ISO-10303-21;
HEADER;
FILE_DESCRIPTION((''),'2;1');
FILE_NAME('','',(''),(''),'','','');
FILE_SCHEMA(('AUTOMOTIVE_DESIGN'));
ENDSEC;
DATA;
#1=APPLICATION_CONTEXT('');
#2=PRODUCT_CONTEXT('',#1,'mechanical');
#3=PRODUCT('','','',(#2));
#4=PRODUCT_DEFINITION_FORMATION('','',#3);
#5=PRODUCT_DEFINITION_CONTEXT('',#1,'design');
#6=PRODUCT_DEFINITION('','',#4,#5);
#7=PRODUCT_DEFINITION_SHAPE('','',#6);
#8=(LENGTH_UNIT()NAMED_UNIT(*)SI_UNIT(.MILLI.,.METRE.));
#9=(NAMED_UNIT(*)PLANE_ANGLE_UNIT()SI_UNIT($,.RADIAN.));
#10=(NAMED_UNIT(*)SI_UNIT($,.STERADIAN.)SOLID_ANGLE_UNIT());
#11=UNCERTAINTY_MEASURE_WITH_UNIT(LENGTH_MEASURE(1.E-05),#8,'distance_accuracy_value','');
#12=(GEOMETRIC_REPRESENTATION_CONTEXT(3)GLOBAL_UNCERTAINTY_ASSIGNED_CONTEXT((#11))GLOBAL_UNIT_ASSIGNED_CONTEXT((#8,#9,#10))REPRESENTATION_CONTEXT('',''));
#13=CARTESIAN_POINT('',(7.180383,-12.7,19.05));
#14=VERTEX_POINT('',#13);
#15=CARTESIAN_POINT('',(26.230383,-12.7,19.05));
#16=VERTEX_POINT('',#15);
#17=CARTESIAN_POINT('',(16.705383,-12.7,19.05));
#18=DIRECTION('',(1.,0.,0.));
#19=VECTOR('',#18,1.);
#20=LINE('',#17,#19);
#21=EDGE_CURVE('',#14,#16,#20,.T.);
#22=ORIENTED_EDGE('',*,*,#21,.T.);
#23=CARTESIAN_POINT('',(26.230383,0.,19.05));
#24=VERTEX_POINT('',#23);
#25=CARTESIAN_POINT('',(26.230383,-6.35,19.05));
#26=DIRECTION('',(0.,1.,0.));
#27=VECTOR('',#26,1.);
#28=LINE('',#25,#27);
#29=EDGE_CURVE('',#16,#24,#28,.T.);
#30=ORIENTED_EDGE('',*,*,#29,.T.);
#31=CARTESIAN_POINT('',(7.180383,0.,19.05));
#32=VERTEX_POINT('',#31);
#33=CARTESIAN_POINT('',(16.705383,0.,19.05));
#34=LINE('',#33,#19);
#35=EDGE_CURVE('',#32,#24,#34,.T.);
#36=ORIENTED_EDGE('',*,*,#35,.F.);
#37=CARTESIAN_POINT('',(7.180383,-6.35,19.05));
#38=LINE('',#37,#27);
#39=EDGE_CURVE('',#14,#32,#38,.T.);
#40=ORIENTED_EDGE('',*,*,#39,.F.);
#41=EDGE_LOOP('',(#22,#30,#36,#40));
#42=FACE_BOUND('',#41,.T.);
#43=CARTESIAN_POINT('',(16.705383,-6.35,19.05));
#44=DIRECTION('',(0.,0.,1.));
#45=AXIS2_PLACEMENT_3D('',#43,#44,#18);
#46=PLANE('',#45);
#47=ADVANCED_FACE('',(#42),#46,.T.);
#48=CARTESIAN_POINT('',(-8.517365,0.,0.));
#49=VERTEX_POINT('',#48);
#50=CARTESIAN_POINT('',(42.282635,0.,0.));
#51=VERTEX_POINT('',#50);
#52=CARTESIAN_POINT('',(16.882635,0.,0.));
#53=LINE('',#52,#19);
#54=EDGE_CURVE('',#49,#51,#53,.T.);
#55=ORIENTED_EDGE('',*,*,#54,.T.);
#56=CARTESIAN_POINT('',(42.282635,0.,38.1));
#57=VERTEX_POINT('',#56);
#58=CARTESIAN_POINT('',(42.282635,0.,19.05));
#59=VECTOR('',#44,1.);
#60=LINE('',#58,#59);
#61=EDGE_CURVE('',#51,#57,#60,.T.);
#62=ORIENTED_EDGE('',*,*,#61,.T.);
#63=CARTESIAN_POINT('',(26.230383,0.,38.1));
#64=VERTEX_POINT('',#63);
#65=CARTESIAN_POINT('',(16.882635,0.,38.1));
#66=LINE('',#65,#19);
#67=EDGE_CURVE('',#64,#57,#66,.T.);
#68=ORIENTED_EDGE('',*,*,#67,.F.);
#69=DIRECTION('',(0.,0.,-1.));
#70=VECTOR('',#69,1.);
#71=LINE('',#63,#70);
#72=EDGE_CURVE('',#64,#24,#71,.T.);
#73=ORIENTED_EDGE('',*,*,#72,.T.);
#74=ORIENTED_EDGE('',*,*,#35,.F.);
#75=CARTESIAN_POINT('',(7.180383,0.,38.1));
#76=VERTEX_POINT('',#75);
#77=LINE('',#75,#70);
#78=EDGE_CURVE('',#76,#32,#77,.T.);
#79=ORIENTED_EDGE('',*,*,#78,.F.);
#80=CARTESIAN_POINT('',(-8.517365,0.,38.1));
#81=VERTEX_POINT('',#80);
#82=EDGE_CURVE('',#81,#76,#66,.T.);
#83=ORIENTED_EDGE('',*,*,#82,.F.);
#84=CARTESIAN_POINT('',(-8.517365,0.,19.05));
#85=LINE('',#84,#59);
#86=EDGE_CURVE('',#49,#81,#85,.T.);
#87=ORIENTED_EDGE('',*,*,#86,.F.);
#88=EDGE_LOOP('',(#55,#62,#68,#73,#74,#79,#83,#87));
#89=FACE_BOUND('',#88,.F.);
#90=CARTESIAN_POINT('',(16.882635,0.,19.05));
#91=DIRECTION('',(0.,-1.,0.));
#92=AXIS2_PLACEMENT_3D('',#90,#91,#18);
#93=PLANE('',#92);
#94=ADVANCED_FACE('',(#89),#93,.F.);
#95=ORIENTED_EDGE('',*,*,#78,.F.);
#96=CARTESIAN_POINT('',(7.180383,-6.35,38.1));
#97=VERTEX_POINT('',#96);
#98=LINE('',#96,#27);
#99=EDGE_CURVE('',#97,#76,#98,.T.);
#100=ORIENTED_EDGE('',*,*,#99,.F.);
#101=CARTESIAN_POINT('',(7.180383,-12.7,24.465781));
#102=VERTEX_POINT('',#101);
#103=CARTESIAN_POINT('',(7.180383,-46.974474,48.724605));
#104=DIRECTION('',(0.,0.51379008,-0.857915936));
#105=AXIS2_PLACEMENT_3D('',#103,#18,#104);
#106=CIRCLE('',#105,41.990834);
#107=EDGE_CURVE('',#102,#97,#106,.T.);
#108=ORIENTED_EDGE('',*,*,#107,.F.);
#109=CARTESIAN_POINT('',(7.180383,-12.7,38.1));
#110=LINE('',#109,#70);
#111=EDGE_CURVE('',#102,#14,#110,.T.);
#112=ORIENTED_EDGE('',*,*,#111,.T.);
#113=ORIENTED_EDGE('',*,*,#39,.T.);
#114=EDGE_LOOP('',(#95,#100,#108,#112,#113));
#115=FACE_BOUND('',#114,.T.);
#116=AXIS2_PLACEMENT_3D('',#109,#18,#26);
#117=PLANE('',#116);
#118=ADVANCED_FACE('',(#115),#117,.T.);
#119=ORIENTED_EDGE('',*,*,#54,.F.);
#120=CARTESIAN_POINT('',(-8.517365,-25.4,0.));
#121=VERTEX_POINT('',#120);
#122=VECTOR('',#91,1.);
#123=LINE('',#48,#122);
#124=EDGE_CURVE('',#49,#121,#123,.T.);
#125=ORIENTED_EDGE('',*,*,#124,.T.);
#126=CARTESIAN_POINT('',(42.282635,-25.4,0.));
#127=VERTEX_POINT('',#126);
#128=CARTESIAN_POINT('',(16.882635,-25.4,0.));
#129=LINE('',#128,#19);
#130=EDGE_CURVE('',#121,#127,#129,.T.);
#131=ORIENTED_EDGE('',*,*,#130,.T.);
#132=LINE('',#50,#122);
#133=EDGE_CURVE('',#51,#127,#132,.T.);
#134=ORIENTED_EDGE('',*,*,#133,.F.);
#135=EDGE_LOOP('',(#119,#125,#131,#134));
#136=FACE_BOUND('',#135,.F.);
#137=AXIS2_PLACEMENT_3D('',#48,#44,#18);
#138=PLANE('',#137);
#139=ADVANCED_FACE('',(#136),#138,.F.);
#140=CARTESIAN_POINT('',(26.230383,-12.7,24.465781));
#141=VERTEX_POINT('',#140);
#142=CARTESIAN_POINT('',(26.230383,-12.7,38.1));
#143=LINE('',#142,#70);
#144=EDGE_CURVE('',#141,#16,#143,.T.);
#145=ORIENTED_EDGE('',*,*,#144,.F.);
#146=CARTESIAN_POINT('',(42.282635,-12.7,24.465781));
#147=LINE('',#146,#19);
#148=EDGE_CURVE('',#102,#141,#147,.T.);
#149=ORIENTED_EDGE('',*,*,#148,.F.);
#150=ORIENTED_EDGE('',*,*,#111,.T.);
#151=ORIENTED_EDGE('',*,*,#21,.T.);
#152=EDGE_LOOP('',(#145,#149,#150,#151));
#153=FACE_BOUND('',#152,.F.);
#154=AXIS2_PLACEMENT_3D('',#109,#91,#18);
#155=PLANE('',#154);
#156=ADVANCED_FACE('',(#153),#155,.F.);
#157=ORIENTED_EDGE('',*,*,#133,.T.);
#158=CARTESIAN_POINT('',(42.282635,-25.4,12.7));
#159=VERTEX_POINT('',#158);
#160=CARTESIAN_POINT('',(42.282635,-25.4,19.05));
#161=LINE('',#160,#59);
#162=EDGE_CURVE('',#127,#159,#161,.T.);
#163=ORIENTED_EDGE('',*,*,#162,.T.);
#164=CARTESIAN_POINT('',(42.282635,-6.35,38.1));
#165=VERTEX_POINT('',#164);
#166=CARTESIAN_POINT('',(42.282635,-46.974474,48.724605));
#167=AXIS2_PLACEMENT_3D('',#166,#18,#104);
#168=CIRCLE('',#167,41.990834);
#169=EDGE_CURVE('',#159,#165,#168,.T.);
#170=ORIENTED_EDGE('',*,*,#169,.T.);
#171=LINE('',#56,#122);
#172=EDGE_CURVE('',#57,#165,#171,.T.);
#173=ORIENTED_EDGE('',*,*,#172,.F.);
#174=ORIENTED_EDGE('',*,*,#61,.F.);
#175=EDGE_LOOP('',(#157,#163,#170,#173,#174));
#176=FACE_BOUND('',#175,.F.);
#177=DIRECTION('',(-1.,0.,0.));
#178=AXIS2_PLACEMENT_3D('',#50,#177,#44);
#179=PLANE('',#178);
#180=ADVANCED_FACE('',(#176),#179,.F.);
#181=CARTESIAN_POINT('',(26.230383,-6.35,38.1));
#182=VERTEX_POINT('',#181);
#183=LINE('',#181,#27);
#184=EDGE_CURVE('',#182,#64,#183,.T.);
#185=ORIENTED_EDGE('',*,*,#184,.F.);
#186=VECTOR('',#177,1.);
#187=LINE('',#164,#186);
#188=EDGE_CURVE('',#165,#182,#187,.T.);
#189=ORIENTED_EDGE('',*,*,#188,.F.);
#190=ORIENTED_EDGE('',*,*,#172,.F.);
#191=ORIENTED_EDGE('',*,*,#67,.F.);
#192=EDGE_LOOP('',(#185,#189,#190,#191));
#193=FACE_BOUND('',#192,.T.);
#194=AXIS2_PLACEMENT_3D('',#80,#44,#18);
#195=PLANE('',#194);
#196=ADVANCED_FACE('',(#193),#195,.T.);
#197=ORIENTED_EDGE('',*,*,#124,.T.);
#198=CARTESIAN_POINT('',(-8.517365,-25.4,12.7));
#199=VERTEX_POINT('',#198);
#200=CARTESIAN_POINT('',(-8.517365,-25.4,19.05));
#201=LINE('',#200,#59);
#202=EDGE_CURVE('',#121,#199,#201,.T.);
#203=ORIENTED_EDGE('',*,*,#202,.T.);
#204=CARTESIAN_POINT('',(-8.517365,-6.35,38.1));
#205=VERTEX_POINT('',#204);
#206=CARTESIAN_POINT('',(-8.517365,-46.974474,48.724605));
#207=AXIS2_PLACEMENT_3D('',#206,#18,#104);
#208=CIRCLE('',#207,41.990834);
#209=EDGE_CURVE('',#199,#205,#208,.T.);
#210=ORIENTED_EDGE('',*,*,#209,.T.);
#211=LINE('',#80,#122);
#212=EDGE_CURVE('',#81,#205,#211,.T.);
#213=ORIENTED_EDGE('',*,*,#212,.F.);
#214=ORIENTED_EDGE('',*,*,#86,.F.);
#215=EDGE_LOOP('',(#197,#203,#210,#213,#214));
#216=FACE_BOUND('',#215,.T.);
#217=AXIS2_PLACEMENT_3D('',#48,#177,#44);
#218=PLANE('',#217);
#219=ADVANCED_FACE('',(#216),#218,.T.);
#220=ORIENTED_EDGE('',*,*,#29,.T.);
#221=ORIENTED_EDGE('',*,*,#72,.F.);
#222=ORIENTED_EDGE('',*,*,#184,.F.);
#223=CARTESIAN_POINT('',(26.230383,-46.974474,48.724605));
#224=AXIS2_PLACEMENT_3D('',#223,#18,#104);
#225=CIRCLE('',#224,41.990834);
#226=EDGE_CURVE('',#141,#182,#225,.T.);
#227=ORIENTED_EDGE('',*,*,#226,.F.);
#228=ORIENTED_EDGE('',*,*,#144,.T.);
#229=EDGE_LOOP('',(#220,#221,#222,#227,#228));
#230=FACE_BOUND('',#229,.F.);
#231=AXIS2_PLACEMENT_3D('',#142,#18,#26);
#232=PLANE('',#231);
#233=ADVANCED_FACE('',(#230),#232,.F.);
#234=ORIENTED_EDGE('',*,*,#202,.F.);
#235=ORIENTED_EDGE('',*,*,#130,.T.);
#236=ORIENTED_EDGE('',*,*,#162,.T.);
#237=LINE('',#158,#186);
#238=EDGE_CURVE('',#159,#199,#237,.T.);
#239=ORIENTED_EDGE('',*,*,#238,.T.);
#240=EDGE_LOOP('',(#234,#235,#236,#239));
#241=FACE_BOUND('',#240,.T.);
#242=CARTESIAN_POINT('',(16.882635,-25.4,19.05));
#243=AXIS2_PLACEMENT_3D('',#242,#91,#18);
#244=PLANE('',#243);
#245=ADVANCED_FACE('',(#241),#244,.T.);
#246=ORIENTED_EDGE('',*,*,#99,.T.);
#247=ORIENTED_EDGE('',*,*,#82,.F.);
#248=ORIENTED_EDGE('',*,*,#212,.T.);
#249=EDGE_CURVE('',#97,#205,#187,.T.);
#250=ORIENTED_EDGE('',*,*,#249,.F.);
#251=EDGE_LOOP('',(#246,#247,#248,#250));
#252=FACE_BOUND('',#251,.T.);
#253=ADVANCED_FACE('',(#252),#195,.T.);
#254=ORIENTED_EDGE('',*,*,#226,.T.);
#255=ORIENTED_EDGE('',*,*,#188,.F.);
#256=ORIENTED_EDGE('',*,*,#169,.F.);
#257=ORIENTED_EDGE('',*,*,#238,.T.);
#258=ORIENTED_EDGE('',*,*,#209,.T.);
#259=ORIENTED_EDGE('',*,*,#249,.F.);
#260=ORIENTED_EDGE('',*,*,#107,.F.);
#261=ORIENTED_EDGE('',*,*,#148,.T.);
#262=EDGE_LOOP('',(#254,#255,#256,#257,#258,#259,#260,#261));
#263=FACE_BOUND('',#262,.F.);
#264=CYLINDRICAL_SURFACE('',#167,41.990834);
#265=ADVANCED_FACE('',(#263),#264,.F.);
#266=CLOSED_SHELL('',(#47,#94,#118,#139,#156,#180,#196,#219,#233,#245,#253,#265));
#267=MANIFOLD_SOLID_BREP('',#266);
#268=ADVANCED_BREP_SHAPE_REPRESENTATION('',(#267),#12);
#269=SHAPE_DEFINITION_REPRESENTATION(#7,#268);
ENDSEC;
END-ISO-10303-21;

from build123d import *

# Parameters (mm, degrees)
F0_W     = 50.8
F0_H     = 38.1
F1_DEPTH = 25.4
F3_DEPTH = 50.8
F4_W     = 19.05
F4_H     = 12.7
F5_DEPTH = 19.05


with BuildPart() as f1:
    # F0 (on Front) → F1 (new body)
    with BuildSketch(Plane.XZ):
        with Locations((16.882635, 19.05)):
            Rectangle(F0_W, F0_H)
    extrude(amount=F1_DEPTH)

    # F2 (on face) → F3 (cut)
    with BuildSketch(Plane.YZ.offset(42.282635)):
        with BuildLine():
            Line((-25.4, 38.1), (-25.4, 12.7))
            ThreePointArc((-25.4, 12.7), (-13.381807, 23.530105), (-6.35, 38.1))
            Line((-6.35, 38.1), (-25.4, 38.1))
        make_face()
    extrude(amount=-F3_DEPTH, mode=Mode.SUBTRACT)

    # F4 (on face) → F5 (cut)
    with BuildSketch(Plane.XY.offset(38.1)):
        with Locations((16.705383, -6.35)):
            Rectangle(F4_W, F4_H)
    extrude(amount=-F5_DEPTH, mode=Mode.SUBTRACT)


solid = f1.part
